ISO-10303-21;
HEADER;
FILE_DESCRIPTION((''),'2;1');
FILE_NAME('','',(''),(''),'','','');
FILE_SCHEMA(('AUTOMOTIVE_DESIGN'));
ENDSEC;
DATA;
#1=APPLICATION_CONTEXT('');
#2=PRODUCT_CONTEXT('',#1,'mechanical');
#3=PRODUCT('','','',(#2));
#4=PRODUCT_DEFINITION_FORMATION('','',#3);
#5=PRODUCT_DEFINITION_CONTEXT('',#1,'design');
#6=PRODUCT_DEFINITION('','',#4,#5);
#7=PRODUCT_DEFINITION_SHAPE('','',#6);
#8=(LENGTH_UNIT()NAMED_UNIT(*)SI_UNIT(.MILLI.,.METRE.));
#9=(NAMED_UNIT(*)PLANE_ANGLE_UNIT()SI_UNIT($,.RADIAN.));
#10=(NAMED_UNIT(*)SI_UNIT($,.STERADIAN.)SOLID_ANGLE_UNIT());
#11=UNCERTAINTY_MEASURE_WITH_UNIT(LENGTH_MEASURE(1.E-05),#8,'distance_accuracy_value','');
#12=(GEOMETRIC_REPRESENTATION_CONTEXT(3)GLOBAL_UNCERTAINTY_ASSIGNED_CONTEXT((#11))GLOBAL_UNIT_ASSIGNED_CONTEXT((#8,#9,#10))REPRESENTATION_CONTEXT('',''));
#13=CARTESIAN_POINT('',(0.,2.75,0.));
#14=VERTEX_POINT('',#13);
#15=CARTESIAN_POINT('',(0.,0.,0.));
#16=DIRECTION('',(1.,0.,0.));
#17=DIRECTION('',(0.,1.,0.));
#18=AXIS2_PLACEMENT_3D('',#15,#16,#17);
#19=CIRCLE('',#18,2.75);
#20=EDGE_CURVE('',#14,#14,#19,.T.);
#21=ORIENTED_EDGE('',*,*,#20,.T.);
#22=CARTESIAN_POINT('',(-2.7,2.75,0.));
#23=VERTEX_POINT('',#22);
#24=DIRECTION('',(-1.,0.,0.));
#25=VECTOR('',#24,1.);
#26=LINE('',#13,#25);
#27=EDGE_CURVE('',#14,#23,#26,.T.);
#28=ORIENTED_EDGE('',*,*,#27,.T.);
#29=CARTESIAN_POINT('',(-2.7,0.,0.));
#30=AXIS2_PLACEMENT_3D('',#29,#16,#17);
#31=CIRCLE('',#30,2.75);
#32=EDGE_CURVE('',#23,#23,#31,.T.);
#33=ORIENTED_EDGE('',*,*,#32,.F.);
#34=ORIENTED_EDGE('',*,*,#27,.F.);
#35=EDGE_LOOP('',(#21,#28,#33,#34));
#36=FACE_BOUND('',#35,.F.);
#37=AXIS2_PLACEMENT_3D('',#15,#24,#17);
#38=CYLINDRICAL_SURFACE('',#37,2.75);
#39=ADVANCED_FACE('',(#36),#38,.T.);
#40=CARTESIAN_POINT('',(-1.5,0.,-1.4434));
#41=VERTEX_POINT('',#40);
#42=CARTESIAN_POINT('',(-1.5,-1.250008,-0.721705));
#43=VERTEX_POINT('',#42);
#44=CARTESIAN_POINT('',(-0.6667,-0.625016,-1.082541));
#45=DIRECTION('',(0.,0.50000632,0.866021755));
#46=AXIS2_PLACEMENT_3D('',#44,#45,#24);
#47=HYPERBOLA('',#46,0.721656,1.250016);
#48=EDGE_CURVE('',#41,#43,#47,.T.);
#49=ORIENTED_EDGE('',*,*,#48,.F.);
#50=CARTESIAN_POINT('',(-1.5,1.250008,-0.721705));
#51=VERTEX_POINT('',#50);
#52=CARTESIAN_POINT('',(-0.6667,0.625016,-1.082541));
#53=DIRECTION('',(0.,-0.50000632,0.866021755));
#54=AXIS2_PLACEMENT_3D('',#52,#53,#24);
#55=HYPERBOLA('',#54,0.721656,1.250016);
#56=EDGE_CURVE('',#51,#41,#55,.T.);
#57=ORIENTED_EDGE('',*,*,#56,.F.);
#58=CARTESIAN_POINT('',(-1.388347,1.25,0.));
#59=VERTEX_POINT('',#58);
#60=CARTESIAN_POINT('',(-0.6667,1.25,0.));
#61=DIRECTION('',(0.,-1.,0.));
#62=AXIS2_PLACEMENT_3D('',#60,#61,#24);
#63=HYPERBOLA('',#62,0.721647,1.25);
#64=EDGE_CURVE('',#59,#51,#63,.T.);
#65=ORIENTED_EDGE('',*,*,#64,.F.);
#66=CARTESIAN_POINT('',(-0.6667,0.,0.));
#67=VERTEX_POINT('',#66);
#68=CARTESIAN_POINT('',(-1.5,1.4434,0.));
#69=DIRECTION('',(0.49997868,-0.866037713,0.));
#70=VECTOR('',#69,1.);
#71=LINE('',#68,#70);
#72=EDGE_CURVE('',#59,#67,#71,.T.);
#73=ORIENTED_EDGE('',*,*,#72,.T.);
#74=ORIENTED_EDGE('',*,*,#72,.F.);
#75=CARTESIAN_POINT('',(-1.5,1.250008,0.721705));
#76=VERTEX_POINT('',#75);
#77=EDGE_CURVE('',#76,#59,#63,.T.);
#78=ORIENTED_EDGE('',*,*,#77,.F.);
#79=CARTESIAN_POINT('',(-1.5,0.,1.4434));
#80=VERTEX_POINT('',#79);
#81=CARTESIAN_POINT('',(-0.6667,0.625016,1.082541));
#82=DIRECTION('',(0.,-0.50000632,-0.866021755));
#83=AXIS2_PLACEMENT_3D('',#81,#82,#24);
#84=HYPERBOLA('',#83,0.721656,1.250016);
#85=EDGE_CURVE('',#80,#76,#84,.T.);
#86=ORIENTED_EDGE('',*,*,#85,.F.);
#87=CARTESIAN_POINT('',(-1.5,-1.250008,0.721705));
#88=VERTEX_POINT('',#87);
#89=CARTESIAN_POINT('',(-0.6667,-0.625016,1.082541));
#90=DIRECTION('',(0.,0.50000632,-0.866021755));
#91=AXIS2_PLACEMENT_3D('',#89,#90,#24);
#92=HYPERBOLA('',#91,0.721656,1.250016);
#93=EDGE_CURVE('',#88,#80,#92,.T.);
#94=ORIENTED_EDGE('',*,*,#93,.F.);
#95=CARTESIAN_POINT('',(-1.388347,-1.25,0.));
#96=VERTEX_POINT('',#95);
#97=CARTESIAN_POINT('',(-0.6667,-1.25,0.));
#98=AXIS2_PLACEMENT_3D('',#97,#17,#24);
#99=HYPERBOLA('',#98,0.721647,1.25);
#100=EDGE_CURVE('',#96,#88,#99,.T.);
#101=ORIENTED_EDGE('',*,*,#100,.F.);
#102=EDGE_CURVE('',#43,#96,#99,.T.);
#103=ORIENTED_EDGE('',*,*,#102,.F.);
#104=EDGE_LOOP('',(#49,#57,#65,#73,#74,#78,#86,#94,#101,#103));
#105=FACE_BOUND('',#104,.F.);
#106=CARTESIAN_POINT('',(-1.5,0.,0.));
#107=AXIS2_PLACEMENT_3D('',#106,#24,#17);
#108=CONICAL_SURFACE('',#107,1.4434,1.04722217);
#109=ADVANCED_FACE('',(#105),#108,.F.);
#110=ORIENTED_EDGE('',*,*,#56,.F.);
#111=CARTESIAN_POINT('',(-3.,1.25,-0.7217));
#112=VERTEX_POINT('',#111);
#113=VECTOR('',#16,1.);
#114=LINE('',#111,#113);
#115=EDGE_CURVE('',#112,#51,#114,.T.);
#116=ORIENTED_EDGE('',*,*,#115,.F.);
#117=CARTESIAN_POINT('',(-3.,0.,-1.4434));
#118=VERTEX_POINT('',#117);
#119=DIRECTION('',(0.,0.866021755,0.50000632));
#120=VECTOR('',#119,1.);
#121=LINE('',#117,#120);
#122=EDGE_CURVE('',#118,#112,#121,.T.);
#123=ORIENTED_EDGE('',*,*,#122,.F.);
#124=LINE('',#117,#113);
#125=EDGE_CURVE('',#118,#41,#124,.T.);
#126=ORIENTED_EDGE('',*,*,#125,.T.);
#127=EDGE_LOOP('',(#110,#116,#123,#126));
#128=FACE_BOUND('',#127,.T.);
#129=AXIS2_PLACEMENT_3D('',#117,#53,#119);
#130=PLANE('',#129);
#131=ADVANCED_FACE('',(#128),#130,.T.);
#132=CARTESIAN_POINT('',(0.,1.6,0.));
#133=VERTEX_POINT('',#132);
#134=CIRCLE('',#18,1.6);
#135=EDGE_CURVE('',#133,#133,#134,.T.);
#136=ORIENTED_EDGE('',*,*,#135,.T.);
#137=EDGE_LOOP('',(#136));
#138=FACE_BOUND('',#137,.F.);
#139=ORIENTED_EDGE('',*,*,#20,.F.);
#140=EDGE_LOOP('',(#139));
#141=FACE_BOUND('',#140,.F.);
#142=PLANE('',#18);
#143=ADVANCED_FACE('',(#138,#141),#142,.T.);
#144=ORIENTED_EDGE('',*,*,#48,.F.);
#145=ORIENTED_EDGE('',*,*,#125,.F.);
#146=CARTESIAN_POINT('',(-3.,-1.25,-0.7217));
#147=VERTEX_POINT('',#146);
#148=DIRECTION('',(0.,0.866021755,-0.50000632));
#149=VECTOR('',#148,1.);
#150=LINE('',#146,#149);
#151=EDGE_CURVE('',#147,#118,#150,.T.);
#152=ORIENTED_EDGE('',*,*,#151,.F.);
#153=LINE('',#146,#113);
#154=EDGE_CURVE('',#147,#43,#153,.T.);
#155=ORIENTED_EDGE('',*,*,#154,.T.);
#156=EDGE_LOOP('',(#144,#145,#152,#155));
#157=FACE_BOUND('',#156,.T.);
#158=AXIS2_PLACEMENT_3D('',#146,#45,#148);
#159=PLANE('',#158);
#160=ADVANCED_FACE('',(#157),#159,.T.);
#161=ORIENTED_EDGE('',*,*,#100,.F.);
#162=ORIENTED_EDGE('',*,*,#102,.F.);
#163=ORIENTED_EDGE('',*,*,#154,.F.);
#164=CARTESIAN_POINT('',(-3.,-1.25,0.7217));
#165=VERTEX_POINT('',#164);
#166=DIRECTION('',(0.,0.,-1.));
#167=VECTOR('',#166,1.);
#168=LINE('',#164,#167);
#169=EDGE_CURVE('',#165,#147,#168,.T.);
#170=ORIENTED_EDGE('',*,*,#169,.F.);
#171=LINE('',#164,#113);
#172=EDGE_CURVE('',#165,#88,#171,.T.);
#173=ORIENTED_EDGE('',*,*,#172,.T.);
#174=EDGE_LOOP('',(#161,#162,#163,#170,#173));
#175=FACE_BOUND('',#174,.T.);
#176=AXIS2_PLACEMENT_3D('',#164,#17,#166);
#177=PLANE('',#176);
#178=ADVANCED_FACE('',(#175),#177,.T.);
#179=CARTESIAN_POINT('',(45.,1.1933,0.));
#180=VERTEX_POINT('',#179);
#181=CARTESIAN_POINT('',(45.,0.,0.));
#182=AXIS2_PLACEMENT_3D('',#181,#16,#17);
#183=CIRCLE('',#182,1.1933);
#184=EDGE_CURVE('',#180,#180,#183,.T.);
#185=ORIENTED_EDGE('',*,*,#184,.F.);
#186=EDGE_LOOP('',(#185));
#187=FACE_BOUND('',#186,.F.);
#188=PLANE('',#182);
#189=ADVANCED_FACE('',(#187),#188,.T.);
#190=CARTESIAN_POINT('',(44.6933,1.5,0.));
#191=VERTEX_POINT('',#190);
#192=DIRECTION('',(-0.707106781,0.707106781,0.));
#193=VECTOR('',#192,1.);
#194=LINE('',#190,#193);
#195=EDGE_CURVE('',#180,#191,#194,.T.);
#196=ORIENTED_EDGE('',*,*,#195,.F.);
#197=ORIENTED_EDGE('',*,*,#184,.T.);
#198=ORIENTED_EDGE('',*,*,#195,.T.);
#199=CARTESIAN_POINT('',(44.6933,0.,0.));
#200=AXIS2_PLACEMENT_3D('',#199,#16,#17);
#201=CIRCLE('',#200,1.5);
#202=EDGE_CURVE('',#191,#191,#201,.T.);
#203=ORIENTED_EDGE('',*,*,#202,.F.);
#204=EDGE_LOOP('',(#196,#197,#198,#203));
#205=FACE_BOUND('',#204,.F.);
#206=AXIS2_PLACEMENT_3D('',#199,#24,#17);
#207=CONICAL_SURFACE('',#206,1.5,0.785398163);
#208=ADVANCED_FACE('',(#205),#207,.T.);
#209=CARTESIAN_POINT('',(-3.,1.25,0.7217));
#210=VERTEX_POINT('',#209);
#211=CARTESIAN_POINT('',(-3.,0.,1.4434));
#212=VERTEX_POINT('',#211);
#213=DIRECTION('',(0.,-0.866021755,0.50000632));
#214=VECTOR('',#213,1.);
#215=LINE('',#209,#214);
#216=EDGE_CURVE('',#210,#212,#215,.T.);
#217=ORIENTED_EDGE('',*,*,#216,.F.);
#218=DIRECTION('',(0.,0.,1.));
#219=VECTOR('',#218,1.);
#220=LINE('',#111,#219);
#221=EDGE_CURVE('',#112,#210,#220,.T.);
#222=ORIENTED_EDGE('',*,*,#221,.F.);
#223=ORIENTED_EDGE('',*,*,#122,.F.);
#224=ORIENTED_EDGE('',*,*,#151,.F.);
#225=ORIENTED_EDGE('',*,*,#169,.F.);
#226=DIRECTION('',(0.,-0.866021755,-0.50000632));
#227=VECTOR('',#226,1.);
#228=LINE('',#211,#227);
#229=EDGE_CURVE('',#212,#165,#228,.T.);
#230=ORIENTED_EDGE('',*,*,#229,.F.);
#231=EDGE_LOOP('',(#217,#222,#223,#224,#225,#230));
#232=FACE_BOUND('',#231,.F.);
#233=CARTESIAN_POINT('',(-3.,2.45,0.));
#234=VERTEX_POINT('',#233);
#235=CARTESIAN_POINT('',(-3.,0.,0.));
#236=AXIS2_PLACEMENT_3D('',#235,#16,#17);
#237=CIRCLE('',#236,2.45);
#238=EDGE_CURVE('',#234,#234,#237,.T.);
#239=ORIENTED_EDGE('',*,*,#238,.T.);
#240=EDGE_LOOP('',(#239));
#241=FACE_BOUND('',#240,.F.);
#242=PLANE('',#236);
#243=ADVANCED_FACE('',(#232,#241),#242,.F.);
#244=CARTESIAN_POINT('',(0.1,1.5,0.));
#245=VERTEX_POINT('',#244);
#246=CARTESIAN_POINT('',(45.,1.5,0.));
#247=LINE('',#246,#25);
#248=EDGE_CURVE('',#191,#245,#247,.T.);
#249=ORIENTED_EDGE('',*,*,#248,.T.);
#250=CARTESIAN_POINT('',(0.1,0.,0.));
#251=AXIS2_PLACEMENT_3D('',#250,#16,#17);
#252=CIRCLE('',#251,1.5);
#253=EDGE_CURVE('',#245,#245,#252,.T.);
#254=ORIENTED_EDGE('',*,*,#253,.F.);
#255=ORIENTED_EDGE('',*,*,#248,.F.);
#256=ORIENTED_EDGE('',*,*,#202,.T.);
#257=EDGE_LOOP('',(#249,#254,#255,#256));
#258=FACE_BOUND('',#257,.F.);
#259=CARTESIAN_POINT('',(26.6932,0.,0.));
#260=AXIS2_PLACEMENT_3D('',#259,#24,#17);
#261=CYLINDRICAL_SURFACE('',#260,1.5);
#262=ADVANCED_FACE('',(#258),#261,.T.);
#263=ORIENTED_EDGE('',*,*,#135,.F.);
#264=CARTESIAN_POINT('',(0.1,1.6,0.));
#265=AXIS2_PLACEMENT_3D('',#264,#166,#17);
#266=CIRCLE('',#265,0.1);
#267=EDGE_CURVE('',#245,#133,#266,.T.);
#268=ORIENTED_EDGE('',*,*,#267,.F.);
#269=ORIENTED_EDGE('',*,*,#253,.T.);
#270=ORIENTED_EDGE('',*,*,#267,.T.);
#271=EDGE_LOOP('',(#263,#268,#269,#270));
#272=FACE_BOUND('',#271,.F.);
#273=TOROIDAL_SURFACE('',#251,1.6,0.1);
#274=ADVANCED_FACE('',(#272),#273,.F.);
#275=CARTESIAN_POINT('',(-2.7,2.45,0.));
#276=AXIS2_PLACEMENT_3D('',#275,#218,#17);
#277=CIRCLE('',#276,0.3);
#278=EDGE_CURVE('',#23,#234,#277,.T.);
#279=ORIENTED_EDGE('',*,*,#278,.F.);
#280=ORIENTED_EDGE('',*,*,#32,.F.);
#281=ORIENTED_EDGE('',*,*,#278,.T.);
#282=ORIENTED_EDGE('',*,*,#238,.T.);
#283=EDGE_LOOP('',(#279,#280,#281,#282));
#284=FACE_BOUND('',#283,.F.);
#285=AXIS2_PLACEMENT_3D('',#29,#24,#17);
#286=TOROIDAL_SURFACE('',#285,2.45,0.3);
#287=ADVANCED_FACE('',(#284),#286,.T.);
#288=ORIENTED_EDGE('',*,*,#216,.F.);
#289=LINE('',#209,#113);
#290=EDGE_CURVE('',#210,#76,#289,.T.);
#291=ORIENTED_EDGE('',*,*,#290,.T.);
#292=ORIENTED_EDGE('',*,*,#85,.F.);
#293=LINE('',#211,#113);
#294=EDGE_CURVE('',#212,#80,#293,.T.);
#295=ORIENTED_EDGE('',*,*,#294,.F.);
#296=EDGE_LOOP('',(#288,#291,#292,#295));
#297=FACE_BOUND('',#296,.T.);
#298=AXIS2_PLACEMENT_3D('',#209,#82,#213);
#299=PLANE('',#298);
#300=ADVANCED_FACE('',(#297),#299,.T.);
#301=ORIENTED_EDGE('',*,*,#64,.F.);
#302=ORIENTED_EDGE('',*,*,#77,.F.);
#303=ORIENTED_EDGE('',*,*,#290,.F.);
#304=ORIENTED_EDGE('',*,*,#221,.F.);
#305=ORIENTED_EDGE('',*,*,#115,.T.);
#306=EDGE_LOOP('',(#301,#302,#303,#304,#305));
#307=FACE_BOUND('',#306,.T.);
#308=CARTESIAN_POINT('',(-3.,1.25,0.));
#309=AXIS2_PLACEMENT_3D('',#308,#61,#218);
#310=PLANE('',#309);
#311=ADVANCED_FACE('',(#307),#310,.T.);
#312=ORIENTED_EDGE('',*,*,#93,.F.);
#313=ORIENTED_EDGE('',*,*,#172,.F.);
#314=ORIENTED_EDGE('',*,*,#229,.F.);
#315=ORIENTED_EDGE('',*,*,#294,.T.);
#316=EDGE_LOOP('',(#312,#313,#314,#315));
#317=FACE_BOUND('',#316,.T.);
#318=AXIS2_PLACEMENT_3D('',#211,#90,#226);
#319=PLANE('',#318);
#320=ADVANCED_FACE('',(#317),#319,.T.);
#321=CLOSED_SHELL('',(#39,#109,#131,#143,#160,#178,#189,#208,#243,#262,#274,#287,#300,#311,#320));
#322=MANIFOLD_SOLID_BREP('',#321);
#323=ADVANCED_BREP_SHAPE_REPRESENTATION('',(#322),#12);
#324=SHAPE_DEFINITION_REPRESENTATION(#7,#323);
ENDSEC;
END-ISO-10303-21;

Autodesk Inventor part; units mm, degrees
ref_plane "YZ Plane" through (0, 0, 0) normal (1, 0, 0) x (0, 1, 0)
ref_plane "XZ Plane" through (0, 0, 0) normal (0, 1, 0) x (-1, 0, 0)
sketch "Sketch1" plane through (0, 0, 0) normal (0, 0, 1) x (1, 0, 0)
  line L0 (-0.6667, 0) -> (45, 0)
  line L1 (45, 0) -> (45, 1.5)
  line L2 (45, 1.5) -> (27, 1.5)
  line L3 (27, 1.5) -> (26.6932, 1.5)
  line L4 (26.6932, 1.5) -> (0, 1.5)
  line L5 (0, 1.5) -> (0, 2.75)
  line L6 (0, 2.75) -> (-3, 2.75)
  line L7 (-3, 2.75) -> (-3, 1.4434)
  line L8 (-3, 1.4434) -> (-1.5, 1.4434)
  line L9 (-1.5, 1.4434) -> (-0.6667, 0)
  line L10 (-10.6, 0) -> (42.6, 0) projected
  line L11 (0, -0.55) -> (0, 3.3) projected
  line L12 (27, 1.5) -> (0, 1.5) construction
  dimension "d1" = 18
  dimension "d2" = 0.3068
  dimension "d3" = 3
  dimension "d4" = 1.5
  dimension "d5" = 60
  dimension "d6" = 3
  dimension "d7" = 3
  dimension "d8" = 2.8868
  dimension "d9" = 5.5
  dimension "d26" = 45
revolve "Body" add sketch "Sketch1" angle 360 about axis through (-0.6667, 0, 0) along (1, 0, 0)
sketch "Sketch2" plane through (-3, 0, 0) normal (-1, 0, 0) x (0, 0, 1)
  circle A0 centre (0, 0) radius 1.4434 projected
  line L0 (0, -3.85) -> (0, 3.85) projected
  line L1 (-3.85, 0) -> (3.85, 0) projected
  line L2 (1.4434, 0) -> (0.7217, -1.25)
  line L3 (0.7217, -1.25) -> (-0.7217, -1.25)
  line L4 (-0.7217, -1.25) -> (-1.4434, 0)
  line L5 (-1.4434, 0) -> (-0.7217, 1.25)
  line L6 (-0.7217, 1.25) -> (0.7217, 1.25)
  line L7 (0.7217, 1.25) -> (1.4434, 0)
  point P0 (0, 0)
extrude "Slot" add sketch "Sketch2" against normal up to next contours L7 A0 | A0 L2 | L6 L0 A0 | A0 L0 L3 | L0 L6 A0 | A0 L3 L0 | L4 A0 | A0 L5
fillet "Fillet1" radius 0.3 1 edges at (-3, -2.75, 0)
thread "Thread" size "M3x0.5" class "6g" standard "ISO Metric profile" length 18
chamfer "Chamfer1" distance 0.3067 distance2 0.3067 1 edges at (45, -1.5, 0) measured on face at (45, -0.8088, -0.4964)
ref_plane "Work Plane1" through (29, 0, 0) normal (0, -1, 0) x (1, 0, 0)
fillet "Fillet2" radius 0.1 1 edges at (0, -1.5, 0)
equation "\"d1\" = GEL"
equation "\"d3\" = KOH"
equation "\"d4\" = INTI"
equation "\"d6\" = GD"
equation "\"d7\" = BDM"
equation "\"d8\" = 1.1547 * SW"
equation "\"d9\" = KOD"
equation "\"d26\" = NLG"
equation "\"d30\" = R"
equation "\"d17\" = RR"
equation "\"d13\" = GEL"
equation "\"d15\" = -0.5 * SPD + 0.5 * GD"
equation "\"d16\" = GUL"
equation "\"GD\" = NND"
equation "\"NLG\" = 45"
equation "\"GEL\" = 18"
equation "\"KOD\" = 5.5"
equation "\"KOH\" = 3"
equation "\"INTI\" = 1.5"
equation "\"GAL\" = 0.61345 * PTC"
equation "\"GUL\" = 0.61345 * PTC"
equation "\"BDM\" = NND"
equation "\"SW\" = 2.5"
equation "\"RR\" = 0.3"
equation "\"SPD\" = 2.38655"
equation "\"R\" = 0.1"
equation "\"TOA\" = 30deg"
equation "\"THREADDIA\" = 3"
equation "\"PTC\" = 0.5"
equation "\"NND\" = 3"
equation "\"E0\" = 1.155 * SW"
equation "\"GD1\" = THREADDIA - 1.2269 * PTC"
properties part number "M3x45" material "Steel, Mild"
